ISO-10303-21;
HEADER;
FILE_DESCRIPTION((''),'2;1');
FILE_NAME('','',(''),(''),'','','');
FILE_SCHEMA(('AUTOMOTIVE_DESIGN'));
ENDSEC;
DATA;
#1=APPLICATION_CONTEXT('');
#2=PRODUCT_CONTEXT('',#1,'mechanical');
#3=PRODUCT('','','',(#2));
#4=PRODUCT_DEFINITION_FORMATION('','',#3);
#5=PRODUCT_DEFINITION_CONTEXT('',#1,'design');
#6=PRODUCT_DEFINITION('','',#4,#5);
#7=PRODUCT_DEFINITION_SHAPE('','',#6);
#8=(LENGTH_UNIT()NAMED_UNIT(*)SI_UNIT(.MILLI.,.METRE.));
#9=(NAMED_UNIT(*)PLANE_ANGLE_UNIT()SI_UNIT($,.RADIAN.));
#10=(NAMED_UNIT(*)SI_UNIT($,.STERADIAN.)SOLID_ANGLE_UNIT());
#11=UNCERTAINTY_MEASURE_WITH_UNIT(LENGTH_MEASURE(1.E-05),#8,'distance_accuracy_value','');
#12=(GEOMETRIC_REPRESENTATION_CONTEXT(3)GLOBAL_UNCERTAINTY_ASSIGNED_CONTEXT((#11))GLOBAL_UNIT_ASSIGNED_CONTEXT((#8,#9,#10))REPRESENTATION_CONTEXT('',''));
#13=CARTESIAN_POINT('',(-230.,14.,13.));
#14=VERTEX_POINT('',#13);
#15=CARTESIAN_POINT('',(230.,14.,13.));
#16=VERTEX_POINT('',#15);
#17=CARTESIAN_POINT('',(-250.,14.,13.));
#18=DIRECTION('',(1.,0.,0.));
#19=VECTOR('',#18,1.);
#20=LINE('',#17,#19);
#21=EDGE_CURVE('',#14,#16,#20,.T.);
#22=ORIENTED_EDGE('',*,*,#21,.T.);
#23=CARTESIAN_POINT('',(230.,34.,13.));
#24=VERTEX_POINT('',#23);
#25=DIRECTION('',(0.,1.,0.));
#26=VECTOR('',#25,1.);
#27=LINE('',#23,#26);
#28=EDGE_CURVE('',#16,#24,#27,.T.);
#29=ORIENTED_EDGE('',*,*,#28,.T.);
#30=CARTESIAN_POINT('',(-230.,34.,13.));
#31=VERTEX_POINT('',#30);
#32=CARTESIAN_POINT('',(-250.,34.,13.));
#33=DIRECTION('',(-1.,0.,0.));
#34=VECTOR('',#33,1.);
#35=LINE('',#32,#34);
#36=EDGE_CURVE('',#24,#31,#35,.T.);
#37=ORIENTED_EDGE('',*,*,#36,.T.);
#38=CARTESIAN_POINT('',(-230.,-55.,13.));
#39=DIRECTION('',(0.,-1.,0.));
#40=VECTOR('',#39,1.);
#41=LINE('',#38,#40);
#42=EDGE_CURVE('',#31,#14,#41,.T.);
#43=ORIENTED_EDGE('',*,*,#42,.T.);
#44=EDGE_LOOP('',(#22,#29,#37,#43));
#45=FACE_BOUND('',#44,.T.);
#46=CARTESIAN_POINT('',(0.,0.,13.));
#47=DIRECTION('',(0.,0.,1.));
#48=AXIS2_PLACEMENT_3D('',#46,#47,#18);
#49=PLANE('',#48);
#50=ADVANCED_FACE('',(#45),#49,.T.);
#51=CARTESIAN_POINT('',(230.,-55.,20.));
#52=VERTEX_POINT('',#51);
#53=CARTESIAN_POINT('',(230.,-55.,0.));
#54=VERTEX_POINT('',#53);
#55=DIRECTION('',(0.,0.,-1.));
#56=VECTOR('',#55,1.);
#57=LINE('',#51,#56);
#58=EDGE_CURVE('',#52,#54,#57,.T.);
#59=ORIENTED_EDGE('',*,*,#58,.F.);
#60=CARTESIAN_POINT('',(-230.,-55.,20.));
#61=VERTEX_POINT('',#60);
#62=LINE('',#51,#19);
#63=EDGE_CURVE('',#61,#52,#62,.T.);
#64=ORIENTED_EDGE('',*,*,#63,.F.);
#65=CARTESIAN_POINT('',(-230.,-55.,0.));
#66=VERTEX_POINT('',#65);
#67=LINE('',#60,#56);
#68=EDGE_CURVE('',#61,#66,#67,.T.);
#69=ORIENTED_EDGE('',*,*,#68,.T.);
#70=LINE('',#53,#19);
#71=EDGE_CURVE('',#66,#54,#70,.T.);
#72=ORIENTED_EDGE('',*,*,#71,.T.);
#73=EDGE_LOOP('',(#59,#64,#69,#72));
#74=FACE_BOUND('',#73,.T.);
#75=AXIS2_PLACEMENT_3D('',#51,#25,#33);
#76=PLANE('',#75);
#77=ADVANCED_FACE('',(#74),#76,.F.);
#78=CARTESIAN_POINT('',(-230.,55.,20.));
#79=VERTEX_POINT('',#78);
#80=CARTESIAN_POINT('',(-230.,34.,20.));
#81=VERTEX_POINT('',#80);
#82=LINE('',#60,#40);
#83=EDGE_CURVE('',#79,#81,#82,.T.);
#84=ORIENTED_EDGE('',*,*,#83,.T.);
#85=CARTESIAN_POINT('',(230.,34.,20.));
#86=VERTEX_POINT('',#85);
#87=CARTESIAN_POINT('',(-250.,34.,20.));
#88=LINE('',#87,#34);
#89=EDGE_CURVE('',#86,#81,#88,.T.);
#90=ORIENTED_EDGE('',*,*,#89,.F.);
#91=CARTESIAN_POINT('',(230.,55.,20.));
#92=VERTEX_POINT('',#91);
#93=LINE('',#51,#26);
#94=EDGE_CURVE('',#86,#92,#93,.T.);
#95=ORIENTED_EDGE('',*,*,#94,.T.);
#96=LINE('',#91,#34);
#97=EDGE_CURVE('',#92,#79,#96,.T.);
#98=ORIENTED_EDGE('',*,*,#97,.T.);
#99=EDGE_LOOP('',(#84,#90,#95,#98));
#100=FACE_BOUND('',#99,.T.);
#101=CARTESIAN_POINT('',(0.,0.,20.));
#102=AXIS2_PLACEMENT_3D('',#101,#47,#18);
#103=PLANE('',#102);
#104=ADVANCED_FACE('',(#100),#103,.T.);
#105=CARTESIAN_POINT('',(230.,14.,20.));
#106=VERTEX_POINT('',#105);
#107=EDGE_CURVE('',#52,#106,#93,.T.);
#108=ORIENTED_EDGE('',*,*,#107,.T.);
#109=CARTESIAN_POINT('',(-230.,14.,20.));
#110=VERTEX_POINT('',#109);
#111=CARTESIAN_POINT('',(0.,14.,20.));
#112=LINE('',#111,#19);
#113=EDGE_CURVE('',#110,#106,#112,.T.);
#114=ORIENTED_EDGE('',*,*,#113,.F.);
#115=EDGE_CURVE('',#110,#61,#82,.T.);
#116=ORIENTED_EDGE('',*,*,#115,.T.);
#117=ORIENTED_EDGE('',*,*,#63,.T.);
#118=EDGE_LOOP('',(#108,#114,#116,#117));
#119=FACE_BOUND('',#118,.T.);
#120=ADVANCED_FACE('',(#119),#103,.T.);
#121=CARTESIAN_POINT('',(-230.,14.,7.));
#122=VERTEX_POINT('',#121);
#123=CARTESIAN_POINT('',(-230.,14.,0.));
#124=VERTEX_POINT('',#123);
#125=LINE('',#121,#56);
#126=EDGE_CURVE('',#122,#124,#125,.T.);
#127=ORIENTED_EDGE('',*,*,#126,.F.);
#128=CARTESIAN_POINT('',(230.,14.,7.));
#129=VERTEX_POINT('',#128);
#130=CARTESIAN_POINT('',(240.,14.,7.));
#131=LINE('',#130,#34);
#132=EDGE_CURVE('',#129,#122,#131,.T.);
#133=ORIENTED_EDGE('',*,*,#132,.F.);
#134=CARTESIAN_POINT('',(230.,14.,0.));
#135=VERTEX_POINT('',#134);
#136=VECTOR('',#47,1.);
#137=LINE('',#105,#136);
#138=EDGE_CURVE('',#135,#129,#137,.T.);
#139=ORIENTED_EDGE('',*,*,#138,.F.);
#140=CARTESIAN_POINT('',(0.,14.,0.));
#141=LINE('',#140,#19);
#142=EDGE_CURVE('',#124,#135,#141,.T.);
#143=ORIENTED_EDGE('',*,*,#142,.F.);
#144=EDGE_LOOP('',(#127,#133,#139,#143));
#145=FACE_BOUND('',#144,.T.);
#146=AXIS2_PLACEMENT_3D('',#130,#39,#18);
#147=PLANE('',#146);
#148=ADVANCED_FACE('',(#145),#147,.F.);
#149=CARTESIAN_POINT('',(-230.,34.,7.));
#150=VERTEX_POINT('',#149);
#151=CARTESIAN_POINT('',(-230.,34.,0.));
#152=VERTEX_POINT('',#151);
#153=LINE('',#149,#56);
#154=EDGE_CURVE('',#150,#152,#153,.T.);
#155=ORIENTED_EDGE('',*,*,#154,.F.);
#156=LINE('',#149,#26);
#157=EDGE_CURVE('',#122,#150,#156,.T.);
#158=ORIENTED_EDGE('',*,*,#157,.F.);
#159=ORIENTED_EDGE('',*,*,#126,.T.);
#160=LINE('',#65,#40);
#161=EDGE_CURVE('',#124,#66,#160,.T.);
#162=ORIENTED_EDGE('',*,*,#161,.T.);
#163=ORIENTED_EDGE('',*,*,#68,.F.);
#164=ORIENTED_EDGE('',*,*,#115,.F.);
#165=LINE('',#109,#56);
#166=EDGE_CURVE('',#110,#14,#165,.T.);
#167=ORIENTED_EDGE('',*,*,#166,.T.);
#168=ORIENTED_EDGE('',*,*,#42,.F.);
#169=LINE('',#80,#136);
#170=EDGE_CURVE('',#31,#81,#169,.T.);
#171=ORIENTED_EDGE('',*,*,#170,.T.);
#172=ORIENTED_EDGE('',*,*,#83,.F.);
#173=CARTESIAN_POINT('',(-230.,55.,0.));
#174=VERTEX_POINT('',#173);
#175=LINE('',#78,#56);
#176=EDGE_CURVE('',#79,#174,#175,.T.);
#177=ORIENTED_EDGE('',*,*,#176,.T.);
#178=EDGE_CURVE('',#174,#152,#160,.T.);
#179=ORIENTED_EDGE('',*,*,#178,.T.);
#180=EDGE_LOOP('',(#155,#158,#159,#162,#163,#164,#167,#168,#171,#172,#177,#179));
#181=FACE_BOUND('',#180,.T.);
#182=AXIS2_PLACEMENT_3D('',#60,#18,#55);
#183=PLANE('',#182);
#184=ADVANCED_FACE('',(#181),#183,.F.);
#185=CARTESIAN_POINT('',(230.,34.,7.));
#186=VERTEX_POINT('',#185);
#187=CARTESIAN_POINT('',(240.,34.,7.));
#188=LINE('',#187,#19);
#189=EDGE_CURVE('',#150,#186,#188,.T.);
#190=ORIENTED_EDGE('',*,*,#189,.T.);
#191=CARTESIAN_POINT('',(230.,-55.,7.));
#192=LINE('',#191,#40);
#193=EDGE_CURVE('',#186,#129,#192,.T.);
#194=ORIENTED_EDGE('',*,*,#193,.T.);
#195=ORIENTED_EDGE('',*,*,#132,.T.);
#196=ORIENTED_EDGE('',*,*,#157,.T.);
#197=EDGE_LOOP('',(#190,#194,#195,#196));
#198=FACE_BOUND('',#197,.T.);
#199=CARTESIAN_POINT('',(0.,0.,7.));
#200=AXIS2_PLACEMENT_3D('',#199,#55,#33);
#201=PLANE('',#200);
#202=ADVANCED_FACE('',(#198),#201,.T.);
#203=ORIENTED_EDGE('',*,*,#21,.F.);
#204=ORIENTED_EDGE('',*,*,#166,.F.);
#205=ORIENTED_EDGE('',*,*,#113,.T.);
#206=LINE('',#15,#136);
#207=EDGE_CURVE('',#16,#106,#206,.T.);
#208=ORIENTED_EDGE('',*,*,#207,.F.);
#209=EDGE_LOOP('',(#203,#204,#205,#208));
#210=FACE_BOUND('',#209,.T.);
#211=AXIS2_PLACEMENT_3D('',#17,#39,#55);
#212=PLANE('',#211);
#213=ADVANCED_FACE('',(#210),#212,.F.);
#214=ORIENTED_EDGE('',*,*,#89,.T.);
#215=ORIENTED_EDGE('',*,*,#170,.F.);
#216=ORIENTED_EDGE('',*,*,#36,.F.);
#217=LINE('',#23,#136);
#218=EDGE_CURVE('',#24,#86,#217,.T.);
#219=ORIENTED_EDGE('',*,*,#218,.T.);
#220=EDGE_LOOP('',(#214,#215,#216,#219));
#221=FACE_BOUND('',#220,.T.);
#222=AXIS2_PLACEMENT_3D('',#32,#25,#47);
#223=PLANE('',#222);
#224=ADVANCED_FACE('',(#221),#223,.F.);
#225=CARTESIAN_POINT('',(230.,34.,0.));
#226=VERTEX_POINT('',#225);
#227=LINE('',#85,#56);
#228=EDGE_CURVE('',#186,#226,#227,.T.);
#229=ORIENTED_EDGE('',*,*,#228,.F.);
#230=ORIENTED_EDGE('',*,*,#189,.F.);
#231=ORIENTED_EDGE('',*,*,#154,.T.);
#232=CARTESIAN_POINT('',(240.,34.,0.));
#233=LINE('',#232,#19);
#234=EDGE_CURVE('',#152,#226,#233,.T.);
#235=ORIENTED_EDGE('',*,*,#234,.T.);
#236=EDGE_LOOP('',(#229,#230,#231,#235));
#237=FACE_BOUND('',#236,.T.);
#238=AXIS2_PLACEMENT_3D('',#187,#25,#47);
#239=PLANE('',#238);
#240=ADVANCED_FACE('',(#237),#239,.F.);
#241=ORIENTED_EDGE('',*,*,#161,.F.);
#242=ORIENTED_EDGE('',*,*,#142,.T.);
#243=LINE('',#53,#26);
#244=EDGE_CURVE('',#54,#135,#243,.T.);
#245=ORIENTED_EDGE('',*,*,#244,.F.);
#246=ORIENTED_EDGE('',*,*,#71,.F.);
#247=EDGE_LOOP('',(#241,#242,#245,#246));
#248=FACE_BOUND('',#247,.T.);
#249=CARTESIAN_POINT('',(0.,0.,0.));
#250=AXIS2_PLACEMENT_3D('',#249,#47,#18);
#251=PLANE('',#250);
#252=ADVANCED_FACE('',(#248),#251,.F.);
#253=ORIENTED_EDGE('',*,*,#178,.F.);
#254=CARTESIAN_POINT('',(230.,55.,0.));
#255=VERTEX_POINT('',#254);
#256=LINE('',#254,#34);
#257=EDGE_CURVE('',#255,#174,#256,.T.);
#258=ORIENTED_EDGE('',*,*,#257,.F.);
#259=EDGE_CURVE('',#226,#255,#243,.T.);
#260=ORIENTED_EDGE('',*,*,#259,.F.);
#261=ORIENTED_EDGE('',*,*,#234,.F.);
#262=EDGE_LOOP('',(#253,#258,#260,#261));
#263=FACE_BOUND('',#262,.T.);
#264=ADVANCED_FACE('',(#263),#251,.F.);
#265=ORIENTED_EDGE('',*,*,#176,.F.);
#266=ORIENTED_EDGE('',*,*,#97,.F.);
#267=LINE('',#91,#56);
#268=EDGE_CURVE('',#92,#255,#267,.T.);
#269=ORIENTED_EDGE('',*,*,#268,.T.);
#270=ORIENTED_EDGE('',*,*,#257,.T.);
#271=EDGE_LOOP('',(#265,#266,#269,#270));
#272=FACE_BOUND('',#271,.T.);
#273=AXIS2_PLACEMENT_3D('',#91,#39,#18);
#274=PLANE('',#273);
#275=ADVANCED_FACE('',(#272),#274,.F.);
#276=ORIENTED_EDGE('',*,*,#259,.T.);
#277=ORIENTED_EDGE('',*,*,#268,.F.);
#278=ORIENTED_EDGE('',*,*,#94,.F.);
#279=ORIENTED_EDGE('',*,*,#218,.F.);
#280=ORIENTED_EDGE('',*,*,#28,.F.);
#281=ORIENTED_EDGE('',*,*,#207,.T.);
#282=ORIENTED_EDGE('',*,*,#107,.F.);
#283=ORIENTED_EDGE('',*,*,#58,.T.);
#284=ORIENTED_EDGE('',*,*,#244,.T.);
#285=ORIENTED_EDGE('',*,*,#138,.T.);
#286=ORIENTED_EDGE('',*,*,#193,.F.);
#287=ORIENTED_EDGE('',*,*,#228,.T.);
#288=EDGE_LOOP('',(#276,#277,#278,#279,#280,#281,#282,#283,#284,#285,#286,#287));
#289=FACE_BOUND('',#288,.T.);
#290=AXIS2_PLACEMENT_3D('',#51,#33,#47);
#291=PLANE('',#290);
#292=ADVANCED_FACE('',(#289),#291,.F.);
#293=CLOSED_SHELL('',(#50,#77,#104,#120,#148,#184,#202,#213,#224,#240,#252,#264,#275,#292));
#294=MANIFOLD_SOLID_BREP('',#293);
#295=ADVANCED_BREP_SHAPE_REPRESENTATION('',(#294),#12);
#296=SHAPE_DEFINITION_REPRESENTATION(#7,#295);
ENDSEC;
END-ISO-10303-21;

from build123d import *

# Parameters (mm, degrees)
CROQUIS1_W              = 460
CROQUIS1_H              = 110
SALIENTE_EXTRUIR1_DEPTH = 20
CROQUIS8_W              = 480
CROQUIS8_H              = 20
CORTAR_EXTRUIR3_DEPTH   = 7
CROQUIS9_W              = 470
CROQUIS9_H              = 20
CORTAR_EXTRUIR4_DEPTH   = 7


with BuildPart() as part:
    # Croquis1 → Saliente-Extruir1 (new body)
    with BuildSketch(Plane.XY):
        Rectangle(CROQUIS1_W, CROQUIS1_H)
    extrude(amount=SALIENTE_EXTRUIR1_DEPTH)

    # Croquis8 → Cortar-Extruir3 (cut)
    with BuildSketch(Plane.XY.offset(20)):
        with Locations((-10, 24)):
            Rectangle(CROQUIS8_W, CROQUIS8_H)
    extrude(amount=-CORTAR_EXTRUIR3_DEPTH, mode=Mode.SUBTRACT)

    # Croquis9 → Cortar-Extruir4 (cut)
    with BuildSketch(Plane(origin=(0, 0, 0), x_dir=(-1, 0, 0), z_dir=(0, 0, -1))):
        with Locations((-5, 24)):
            Rectangle(CROQUIS9_W, CROQUIS9_H)
    extrude(amount=-CORTAR_EXTRUIR4_DEPTH, mode=Mode.SUBTRACT)


solid = part.part
